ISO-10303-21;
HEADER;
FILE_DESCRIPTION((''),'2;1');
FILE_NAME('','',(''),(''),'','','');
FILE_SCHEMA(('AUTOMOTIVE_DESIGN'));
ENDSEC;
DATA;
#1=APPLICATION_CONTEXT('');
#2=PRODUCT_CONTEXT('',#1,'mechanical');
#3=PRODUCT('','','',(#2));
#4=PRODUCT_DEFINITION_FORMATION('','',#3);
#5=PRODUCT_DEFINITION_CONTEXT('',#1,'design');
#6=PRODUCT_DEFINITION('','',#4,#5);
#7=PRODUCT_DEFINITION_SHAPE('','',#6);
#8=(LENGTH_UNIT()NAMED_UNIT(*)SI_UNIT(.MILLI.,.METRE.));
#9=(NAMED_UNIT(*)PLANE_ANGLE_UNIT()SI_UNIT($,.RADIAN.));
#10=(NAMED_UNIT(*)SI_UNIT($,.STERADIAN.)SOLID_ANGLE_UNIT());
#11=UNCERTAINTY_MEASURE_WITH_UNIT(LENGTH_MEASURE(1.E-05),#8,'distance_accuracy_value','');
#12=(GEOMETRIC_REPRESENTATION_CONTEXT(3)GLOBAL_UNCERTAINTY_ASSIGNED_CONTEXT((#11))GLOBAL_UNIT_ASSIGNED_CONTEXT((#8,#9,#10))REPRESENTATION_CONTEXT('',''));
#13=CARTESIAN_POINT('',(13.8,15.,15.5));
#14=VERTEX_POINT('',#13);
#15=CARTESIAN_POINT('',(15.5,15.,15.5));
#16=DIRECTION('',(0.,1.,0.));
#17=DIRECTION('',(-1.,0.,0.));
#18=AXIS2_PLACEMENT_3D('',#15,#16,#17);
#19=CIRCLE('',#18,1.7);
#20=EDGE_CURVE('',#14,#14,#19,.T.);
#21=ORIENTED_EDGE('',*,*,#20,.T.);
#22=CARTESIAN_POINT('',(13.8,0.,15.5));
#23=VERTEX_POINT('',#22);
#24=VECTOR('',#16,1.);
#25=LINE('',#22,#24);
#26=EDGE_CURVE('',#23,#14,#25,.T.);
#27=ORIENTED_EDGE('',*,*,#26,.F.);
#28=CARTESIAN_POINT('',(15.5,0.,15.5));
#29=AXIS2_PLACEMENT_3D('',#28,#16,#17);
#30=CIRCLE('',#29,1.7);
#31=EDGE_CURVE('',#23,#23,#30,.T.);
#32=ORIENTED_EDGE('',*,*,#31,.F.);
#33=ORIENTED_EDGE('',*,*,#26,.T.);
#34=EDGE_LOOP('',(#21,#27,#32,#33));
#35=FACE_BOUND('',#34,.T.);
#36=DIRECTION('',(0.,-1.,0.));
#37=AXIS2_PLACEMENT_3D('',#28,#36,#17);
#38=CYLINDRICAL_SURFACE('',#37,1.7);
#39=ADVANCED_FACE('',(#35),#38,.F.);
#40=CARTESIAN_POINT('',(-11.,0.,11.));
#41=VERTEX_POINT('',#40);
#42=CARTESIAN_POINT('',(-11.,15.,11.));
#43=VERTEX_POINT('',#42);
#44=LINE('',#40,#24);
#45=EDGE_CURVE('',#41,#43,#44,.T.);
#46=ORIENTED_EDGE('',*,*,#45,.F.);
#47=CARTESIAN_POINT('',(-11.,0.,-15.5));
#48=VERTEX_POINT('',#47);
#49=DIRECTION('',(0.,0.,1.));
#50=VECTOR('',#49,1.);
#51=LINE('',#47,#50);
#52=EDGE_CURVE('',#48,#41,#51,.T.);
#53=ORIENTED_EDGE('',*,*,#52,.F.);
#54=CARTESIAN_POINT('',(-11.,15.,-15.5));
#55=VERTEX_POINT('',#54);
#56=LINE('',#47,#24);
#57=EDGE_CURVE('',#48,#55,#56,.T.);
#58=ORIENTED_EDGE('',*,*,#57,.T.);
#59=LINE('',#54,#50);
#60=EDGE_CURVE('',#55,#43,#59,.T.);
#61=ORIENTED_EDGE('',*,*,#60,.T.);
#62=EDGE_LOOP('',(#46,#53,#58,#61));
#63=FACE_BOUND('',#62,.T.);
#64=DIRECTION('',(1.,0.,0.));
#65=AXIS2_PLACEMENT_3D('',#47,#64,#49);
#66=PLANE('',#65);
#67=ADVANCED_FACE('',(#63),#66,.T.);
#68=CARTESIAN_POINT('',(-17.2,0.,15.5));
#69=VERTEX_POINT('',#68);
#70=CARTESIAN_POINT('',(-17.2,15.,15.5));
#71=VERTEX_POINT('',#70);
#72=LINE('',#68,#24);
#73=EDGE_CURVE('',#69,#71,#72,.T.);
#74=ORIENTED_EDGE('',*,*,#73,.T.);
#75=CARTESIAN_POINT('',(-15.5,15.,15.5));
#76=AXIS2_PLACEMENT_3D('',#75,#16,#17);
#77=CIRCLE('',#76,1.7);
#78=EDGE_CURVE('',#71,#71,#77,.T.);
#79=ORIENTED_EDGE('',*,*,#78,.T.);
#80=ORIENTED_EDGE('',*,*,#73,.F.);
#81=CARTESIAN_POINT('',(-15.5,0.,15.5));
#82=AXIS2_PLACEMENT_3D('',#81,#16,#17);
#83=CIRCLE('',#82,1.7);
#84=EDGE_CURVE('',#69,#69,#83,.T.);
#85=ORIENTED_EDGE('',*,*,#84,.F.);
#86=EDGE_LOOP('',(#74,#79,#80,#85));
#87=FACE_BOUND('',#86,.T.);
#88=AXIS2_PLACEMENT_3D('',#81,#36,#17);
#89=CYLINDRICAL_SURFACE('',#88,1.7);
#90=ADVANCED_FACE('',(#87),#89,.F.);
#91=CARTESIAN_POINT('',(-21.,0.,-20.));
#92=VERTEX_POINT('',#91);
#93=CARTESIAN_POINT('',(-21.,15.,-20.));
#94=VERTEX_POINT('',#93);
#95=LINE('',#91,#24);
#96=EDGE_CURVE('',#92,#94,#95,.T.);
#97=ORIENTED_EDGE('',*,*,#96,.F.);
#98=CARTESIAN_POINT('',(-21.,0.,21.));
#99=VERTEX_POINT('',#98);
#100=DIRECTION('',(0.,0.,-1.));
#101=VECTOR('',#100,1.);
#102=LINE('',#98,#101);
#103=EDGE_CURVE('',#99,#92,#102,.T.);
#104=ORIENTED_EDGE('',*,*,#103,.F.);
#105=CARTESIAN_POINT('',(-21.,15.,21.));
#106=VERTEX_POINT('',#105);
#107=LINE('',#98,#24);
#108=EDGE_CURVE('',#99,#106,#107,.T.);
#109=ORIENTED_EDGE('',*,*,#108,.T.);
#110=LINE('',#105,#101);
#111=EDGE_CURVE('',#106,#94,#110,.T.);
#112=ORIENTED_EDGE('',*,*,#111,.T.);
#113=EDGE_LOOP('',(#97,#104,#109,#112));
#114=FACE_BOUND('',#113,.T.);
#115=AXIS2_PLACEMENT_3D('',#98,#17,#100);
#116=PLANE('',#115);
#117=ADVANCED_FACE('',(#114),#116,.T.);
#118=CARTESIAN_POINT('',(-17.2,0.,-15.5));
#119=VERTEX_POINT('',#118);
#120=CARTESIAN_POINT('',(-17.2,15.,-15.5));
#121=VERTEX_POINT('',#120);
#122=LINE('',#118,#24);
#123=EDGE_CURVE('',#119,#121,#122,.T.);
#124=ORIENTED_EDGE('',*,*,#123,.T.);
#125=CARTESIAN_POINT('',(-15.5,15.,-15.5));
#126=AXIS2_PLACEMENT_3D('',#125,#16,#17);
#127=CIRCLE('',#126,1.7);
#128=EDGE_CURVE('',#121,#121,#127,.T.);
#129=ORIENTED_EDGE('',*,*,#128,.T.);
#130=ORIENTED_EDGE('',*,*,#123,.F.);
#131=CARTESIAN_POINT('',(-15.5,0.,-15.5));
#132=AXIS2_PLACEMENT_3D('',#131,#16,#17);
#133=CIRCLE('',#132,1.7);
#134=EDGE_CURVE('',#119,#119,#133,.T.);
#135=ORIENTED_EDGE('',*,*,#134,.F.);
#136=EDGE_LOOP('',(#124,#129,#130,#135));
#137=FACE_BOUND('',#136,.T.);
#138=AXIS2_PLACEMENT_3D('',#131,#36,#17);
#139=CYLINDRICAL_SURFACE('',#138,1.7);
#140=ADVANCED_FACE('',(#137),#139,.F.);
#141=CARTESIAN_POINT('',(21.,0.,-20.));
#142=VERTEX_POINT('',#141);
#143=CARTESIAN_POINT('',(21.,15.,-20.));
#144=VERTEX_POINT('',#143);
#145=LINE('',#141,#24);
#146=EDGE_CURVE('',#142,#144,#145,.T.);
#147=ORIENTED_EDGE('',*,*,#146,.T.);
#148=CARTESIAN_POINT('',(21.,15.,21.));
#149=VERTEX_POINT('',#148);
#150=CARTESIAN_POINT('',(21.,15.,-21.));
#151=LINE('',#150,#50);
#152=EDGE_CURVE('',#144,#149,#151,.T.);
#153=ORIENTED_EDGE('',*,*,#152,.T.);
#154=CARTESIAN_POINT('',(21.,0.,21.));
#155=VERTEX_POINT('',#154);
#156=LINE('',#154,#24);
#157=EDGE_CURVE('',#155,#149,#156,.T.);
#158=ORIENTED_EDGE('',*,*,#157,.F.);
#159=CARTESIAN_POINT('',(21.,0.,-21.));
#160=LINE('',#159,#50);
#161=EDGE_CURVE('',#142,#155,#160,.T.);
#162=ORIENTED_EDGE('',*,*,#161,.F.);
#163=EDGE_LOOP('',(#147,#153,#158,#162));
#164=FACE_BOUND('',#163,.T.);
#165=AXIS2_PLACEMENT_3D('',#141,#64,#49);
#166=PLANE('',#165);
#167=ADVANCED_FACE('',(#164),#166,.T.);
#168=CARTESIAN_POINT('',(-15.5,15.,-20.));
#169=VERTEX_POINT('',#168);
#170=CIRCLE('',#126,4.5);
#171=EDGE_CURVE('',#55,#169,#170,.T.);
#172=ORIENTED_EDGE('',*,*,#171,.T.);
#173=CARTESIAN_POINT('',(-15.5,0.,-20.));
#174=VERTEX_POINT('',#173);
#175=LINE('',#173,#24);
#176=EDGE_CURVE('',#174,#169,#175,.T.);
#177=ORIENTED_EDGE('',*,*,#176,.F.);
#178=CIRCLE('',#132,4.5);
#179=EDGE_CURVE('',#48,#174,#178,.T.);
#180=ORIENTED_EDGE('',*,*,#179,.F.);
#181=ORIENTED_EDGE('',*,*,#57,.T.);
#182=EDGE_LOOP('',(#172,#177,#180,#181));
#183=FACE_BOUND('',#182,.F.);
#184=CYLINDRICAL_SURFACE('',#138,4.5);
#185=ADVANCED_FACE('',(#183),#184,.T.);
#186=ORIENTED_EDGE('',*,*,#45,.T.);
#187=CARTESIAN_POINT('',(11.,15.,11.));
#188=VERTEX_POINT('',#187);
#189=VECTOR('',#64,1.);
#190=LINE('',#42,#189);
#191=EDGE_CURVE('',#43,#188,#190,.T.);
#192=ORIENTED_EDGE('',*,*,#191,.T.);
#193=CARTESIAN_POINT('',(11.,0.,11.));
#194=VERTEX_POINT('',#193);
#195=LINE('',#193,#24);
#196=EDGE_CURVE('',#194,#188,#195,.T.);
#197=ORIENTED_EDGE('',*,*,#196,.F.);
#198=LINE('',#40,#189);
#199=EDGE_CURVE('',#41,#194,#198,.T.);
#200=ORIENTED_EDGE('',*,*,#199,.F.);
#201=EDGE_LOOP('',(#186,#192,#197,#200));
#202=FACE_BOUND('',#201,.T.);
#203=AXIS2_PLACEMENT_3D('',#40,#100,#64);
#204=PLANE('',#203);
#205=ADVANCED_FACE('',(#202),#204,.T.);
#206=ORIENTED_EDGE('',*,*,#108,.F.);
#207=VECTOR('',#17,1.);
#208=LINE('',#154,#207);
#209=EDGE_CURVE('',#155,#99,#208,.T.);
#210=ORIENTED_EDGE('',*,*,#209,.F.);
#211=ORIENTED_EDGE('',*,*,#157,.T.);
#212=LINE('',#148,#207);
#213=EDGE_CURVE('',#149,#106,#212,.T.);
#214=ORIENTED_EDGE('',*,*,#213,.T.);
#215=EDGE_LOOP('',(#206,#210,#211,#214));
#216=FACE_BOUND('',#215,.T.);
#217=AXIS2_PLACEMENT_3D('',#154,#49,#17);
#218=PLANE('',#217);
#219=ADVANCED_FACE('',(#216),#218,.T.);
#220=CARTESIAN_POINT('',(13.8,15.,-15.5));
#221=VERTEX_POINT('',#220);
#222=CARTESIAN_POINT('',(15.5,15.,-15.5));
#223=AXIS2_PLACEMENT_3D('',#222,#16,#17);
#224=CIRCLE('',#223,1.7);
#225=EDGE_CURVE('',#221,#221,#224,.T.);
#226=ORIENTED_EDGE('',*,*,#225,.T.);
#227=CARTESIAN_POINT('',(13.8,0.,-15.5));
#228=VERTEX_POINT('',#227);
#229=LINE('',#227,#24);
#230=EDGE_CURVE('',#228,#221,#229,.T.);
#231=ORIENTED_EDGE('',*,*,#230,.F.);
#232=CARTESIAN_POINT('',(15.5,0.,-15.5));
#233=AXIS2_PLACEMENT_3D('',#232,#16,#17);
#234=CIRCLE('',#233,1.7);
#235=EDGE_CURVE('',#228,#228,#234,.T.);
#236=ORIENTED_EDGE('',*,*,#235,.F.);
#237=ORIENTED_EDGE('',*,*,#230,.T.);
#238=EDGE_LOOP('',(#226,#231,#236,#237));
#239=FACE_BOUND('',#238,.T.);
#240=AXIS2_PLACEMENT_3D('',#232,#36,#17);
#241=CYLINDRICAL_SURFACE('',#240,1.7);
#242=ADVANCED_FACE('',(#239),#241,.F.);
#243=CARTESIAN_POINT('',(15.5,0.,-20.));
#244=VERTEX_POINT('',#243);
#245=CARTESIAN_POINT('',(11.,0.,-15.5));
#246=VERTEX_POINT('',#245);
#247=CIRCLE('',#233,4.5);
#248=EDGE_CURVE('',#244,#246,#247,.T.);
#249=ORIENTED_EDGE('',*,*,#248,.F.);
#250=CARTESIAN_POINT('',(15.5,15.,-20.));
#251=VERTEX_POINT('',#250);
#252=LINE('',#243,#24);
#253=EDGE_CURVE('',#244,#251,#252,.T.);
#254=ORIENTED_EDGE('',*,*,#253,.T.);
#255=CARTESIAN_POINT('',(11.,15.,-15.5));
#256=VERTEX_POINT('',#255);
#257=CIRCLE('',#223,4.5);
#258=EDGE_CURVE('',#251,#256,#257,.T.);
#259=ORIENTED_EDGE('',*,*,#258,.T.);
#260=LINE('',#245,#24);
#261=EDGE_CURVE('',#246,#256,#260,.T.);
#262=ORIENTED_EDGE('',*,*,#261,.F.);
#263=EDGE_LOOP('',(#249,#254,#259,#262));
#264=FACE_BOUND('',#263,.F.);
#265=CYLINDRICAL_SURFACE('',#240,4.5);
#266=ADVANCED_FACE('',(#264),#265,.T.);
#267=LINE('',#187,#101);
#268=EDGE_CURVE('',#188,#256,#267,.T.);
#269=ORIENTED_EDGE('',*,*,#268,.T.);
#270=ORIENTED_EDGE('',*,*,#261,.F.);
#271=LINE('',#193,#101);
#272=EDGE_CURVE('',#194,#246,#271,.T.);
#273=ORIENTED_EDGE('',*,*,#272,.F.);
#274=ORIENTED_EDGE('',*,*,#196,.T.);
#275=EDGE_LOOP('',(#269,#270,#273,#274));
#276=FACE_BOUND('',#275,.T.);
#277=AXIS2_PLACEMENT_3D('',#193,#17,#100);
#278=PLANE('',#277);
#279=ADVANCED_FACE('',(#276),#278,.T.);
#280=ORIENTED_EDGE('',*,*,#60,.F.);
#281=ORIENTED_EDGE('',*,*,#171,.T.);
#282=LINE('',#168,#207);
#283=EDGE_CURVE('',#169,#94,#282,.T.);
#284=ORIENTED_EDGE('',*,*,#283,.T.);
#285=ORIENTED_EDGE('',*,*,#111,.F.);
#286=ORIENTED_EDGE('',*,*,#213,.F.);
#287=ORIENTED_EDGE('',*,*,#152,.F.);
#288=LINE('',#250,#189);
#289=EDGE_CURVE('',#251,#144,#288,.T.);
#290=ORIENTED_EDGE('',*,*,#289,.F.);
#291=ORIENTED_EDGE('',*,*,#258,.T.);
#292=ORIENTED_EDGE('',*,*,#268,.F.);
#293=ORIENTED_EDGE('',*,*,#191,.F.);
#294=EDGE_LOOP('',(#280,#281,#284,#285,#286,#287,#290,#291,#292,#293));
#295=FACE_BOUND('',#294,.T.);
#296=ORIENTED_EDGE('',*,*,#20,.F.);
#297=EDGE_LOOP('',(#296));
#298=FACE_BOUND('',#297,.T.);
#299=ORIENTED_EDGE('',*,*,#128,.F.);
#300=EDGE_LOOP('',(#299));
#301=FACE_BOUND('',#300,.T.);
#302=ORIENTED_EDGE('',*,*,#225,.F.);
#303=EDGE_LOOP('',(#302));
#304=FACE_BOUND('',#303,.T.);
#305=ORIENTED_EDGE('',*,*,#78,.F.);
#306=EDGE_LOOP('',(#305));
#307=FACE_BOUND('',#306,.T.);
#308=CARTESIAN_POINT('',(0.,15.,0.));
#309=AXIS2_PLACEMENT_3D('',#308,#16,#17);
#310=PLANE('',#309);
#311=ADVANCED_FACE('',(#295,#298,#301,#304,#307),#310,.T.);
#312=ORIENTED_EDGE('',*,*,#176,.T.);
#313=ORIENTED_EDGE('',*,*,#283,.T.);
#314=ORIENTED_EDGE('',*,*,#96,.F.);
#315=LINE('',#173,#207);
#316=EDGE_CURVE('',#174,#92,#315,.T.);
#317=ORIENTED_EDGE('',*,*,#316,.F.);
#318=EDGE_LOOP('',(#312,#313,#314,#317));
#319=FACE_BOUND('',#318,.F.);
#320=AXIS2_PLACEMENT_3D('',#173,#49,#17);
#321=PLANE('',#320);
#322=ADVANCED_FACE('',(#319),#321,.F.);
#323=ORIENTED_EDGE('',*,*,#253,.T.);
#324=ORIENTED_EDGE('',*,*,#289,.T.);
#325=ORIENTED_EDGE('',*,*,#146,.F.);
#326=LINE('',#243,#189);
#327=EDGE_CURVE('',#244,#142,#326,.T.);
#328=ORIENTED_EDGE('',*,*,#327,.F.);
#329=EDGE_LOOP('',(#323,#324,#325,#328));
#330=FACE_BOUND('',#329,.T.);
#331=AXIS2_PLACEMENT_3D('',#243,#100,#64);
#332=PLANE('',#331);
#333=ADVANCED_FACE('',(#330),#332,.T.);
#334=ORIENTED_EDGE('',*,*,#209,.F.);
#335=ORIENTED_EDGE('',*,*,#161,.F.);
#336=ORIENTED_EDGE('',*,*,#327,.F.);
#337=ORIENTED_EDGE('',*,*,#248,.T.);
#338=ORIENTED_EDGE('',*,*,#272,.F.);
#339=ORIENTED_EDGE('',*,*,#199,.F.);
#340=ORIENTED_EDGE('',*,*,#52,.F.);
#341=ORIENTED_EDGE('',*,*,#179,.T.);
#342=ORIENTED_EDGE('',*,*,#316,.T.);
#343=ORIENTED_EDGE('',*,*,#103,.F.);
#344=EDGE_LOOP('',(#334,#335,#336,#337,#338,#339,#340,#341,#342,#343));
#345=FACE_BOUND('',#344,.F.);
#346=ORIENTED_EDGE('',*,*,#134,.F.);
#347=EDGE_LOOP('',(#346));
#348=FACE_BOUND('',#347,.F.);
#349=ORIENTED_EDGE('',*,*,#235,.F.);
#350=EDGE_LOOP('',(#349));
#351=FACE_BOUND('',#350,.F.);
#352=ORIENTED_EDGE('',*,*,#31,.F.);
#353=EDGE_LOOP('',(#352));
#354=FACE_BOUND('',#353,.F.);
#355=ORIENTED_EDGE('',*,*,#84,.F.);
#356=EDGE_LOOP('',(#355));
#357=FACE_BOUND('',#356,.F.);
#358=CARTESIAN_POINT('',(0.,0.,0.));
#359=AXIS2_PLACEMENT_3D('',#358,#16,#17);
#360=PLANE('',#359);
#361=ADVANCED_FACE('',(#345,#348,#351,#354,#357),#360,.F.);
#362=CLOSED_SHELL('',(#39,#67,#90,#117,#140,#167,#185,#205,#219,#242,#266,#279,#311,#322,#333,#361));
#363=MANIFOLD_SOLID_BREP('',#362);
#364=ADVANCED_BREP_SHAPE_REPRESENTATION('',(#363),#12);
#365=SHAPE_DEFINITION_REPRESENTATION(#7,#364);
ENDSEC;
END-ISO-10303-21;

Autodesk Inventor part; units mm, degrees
ref_plane "YZ Plane" through (0, 0, 0) normal (1, 0, 0) x (0, 1, 0)
ref_plane "XZ Plane" through (0, 0, 0) normal (0, 1, 0) x (-1, 0, 0)
ref_plane "XY Plane" through (0, 0, 0) normal (0, 0, 1) x (1, 0, 0)
sketch "Sketch2" plane through (0, 0, 0) normal (0, 1, 0) x (-1, 0, 0)
  line L0 (21, -21) -> (-21, -21)
  line L1 (-21, -21) -> (-21, 21)
  line L2 (-21, 21) -> (21, 21)
  line L3 (21, 21) -> (21, -21)
  line L4 (21, -21) -> (-21, 21) construction
  line L5 (-21, -21) -> (21, 21) construction
  circle A0 centre (-15.5, 15.5) radius 1.7
  circle A1 centre (15.5, 15.5) radius 1.7
  circle A2 centre (15.5, -15.5) radius 1.7
  circle A3 centre (-15.5, -15.5) radius 1.7
  line L6 (-15.5, 15.5) -> (-15.5, -15.5) construction
  line L7 (-15.5, 15.5) -> (15.5, 15.5) construction
  line L8 (15.5, 15.5) -> (15.5, -15.5) construction
  circle A4 centre (-15.5, 15.5) radius 4.5
  circle A5 centre (15.5, 15.5) radius 4.5
  circle A6 centre (15.5, -15.5) radius 4.5
  circle A7 centre (-15.5, -15.5) radius 4.5
  circle A8 centre (0, 0) radius 10
  line L9 (11, -15.5) -> (11, 11)
  line L10 (11, 11) -> (-11, 11)
  line L11 (-11, 11) -> (-11, -15.5)
  line L12 (-15.5, -20) -> (-21, -20)
  line L13 (15.5, -20) -> (21, -20)
  dimension "d4" = 42
  dimension "d5" = 42
  dimension "d6" = 31
  dimension "d7" = 3.4
  dimension "d9" = 20
  dimension "d12" = 9
extrude "Extrusion2" add sketch "Sketch2" along normal blind 15 contours L13 A6 L9 L10 L11 A7 L12 L1 L2 L3 | A6 | A7 | A4 | A5
properties part number "MOTOR standoff"
